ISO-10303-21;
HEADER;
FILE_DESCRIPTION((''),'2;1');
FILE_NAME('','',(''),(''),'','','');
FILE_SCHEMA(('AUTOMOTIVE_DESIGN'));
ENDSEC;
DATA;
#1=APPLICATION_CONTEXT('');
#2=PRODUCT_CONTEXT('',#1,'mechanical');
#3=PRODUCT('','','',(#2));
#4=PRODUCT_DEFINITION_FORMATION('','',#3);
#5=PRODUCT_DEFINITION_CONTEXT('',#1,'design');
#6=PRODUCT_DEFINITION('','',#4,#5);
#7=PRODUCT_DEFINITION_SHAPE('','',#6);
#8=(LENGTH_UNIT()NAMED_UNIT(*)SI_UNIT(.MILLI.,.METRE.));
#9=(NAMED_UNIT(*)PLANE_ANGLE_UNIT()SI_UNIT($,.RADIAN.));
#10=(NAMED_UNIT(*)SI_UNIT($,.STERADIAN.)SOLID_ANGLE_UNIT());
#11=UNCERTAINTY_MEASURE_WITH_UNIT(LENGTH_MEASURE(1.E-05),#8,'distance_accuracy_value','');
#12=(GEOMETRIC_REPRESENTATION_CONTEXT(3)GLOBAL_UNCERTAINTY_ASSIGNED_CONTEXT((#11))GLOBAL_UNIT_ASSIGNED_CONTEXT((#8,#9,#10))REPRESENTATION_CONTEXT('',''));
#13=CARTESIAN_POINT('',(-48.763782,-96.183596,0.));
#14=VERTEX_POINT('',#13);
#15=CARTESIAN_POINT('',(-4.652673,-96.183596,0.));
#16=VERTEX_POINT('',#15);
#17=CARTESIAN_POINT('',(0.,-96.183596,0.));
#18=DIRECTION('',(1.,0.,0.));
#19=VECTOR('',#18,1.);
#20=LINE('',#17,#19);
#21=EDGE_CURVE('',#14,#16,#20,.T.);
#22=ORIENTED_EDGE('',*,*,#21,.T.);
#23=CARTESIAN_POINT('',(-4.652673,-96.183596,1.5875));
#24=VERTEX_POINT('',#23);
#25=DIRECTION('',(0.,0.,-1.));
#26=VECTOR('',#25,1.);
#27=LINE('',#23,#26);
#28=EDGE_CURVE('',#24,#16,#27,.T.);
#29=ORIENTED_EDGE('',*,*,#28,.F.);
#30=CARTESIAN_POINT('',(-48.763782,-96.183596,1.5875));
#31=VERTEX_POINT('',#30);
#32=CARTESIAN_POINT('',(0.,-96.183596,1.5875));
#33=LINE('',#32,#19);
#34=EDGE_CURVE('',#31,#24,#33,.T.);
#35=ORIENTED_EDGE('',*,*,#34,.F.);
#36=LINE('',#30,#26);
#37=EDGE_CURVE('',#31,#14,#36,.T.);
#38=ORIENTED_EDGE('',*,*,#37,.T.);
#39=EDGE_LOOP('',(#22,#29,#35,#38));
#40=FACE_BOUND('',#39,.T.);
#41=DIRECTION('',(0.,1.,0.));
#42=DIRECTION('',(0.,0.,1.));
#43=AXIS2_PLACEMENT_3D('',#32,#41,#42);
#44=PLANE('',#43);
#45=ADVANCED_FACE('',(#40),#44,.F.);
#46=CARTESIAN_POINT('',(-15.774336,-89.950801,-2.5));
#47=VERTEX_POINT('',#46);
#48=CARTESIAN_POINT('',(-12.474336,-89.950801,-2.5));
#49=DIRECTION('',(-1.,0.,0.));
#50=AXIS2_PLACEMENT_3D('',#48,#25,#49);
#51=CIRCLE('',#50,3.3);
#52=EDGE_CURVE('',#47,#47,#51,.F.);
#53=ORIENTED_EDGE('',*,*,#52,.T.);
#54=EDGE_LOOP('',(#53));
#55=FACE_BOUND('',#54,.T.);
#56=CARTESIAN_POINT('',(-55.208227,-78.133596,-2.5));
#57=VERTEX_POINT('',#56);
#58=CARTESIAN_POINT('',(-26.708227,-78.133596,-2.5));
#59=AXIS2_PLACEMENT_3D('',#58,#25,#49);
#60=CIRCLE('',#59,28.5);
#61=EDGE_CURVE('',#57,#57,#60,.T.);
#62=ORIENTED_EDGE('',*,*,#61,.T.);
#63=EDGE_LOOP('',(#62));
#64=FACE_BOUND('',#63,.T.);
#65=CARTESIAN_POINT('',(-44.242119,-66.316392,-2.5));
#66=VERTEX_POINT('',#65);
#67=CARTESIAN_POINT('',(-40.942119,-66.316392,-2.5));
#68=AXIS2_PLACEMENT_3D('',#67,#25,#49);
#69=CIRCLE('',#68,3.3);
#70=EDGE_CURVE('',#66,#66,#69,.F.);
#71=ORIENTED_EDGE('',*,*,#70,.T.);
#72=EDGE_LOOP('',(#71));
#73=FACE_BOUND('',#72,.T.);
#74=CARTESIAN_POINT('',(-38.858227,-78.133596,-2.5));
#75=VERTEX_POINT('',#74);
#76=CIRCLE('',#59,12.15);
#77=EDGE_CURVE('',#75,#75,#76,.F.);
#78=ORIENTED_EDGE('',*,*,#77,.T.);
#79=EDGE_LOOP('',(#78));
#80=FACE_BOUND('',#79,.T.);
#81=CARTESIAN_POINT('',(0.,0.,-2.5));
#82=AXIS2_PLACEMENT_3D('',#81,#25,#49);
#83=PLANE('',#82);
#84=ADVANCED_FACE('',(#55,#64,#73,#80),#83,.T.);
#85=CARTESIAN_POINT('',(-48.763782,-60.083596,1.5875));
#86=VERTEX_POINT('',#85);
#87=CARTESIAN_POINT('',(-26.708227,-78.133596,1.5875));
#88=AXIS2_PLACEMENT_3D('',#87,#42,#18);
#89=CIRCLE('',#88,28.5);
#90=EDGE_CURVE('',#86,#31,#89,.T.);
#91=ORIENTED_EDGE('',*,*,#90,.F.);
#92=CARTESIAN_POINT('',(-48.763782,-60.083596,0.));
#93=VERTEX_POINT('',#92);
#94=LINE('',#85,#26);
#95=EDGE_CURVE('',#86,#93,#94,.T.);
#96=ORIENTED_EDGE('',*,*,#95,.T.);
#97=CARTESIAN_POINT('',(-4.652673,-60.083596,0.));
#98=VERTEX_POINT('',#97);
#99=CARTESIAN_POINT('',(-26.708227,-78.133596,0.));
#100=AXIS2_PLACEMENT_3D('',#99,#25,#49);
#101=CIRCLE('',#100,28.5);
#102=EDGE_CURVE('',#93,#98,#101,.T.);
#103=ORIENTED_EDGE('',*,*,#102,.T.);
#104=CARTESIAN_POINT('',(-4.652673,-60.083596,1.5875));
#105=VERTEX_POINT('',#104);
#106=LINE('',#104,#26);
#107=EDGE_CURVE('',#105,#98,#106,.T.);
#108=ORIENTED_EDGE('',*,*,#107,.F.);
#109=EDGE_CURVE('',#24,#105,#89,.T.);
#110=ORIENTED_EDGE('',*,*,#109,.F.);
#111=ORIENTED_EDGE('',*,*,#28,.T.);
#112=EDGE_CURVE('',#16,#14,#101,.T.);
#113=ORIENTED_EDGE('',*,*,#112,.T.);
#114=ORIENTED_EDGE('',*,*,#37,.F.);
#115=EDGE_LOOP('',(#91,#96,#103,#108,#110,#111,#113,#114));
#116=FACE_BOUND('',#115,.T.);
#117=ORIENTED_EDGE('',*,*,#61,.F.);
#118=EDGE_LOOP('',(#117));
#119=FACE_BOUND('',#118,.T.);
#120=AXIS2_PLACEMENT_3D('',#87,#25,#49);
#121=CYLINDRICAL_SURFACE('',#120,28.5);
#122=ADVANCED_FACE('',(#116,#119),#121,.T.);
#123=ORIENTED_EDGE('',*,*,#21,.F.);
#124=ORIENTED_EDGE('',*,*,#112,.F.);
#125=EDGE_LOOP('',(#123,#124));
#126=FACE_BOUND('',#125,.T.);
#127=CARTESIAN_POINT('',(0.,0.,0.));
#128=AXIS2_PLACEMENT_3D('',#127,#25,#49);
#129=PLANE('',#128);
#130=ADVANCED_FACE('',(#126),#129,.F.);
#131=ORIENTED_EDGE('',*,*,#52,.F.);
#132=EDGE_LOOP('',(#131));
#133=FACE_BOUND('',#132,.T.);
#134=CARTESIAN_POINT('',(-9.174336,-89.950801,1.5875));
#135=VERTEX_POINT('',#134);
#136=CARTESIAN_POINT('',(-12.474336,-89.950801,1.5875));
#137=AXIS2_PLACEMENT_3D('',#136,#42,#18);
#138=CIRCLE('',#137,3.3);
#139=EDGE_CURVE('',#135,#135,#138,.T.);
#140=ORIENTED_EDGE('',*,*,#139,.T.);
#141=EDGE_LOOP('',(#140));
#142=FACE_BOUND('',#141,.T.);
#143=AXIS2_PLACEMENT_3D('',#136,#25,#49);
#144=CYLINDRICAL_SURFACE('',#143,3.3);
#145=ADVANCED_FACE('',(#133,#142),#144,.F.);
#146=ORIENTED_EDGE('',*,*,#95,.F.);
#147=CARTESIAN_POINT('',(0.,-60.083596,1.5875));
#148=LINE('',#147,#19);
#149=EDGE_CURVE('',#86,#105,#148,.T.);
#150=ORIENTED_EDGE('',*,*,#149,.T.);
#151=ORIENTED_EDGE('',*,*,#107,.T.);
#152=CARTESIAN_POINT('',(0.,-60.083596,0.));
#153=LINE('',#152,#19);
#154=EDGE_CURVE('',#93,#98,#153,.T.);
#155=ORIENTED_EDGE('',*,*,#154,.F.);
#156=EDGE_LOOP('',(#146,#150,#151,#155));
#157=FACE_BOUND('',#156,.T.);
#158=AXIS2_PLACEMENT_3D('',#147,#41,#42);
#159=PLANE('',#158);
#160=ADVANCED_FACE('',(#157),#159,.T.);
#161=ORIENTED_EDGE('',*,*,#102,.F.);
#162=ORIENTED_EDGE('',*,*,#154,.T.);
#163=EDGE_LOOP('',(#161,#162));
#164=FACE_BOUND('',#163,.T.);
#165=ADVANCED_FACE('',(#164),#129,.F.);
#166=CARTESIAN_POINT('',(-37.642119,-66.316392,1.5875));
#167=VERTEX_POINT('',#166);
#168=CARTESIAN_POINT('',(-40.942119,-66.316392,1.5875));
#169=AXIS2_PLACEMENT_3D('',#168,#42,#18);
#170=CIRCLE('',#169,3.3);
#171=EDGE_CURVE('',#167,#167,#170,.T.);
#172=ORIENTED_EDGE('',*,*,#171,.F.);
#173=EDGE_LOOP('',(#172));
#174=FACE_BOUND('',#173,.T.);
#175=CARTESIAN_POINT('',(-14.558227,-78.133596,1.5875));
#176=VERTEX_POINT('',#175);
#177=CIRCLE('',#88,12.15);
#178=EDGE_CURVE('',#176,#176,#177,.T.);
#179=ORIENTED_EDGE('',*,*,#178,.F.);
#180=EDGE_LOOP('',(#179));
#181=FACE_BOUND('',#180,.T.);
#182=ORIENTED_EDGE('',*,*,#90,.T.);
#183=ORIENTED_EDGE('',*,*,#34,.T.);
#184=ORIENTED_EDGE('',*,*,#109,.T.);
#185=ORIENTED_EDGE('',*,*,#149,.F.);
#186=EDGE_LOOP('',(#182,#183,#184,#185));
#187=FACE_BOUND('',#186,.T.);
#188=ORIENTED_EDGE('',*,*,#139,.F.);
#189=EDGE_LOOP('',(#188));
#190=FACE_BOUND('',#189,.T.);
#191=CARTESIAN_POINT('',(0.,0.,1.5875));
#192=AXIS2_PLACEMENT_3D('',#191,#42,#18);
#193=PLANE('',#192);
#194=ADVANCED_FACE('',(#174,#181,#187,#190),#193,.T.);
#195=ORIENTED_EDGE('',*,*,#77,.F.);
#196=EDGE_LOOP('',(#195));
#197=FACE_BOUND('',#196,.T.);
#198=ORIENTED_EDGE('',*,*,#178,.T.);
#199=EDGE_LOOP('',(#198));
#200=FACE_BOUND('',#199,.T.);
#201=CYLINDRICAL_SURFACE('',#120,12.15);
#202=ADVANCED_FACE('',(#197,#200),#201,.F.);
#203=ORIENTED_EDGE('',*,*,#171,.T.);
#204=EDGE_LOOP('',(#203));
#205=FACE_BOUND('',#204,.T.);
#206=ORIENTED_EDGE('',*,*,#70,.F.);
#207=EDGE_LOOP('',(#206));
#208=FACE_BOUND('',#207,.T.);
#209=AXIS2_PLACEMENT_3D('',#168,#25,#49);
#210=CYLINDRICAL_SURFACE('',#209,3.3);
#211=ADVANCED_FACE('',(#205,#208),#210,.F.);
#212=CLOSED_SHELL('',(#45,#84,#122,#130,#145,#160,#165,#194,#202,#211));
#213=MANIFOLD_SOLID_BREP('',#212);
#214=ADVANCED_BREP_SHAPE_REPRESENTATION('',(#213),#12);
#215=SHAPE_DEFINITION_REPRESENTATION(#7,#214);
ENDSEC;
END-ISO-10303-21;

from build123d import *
from build123d.topology import SkipClean

# Parameters (mm, degrees)
SKETCH1_R           = 3.3
SKETCH1_R_2         = 12.15
BOSS_EXTRUDE1_DEPTH = 1.5875
BOSS_EXTRUDE2_START = 2.5
SKETCH2_R           = 28.5
SKETCH2_R_2         = 3.3
SKETCH2_R_3         = 12.15
BOSS_EXTRUDE2_DEPTH = 2.5


with BuildPart() as part:
    # Sketch1 → Boss-Extrude1 (new body)
    with BuildSketch(Plane.XY):
        with BuildLine():
            Line((-4.652672523, -60.083596209), (-48.763782235, -60.083596209))
            ThreePointArc((-48.763782235, -60.083596209), (-55.208227379, -78.133596209), (-48.763782235, -96.183596209))
            Line((-48.763782235, -96.183596209), (-4.652672523, -96.183596209))
            ThreePointArc((-4.652672523, -96.183596209), (0.132351167, -87.716567737), (1.791772621, -78.133596209))
            ThreePointArc((1.791772621, -78.133596209), (0.132351167, -68.550624681), (-4.652672523, -60.083596209))
        make_face()
        with Locations((-12.47433561, -89.950800833)):
            Circle(SKETCH1_R, mode=Mode.SUBTRACT)
        with Locations((-26.708227379, -78.133596209)):
            Circle(SKETCH1_R_2, mode=Mode.SUBTRACT)
        with Locations((-40.942119147, -66.316391585)):
            Circle(SKETCH1_R, mode=Mode.SUBTRACT)
    extrude(amount=BOSS_EXTRUDE1_DEPTH)

    # Sketch2 → Boss-Extrude2 (add)
    with SkipClean():  # the faces are left unmerged after this step: merging them gives an invalid solid
        with BuildSketch(Plane(origin=(0, 0, 0), x_dir=(-1, 0, 0), z_dir=(0, 0, -1)).offset(BOSS_EXTRUDE2_START)):
            with Locations((26.708227379, -78.133596209)):
                Circle(SKETCH2_R)
            with Locations((40.942119147, -66.316391585)):
                Circle(SKETCH2_R_2, mode=Mode.SUBTRACT)
            with Locations((12.47433561, -89.950800833)):
                Circle(SKETCH2_R_2, mode=Mode.SUBTRACT)
            with Locations((26.708227379, -78.133596209)):
                Circle(SKETCH2_R_3, mode=Mode.SUBTRACT)
        extrude(amount=-BOSS_EXTRUDE2_DEPTH)


solid = part.part
